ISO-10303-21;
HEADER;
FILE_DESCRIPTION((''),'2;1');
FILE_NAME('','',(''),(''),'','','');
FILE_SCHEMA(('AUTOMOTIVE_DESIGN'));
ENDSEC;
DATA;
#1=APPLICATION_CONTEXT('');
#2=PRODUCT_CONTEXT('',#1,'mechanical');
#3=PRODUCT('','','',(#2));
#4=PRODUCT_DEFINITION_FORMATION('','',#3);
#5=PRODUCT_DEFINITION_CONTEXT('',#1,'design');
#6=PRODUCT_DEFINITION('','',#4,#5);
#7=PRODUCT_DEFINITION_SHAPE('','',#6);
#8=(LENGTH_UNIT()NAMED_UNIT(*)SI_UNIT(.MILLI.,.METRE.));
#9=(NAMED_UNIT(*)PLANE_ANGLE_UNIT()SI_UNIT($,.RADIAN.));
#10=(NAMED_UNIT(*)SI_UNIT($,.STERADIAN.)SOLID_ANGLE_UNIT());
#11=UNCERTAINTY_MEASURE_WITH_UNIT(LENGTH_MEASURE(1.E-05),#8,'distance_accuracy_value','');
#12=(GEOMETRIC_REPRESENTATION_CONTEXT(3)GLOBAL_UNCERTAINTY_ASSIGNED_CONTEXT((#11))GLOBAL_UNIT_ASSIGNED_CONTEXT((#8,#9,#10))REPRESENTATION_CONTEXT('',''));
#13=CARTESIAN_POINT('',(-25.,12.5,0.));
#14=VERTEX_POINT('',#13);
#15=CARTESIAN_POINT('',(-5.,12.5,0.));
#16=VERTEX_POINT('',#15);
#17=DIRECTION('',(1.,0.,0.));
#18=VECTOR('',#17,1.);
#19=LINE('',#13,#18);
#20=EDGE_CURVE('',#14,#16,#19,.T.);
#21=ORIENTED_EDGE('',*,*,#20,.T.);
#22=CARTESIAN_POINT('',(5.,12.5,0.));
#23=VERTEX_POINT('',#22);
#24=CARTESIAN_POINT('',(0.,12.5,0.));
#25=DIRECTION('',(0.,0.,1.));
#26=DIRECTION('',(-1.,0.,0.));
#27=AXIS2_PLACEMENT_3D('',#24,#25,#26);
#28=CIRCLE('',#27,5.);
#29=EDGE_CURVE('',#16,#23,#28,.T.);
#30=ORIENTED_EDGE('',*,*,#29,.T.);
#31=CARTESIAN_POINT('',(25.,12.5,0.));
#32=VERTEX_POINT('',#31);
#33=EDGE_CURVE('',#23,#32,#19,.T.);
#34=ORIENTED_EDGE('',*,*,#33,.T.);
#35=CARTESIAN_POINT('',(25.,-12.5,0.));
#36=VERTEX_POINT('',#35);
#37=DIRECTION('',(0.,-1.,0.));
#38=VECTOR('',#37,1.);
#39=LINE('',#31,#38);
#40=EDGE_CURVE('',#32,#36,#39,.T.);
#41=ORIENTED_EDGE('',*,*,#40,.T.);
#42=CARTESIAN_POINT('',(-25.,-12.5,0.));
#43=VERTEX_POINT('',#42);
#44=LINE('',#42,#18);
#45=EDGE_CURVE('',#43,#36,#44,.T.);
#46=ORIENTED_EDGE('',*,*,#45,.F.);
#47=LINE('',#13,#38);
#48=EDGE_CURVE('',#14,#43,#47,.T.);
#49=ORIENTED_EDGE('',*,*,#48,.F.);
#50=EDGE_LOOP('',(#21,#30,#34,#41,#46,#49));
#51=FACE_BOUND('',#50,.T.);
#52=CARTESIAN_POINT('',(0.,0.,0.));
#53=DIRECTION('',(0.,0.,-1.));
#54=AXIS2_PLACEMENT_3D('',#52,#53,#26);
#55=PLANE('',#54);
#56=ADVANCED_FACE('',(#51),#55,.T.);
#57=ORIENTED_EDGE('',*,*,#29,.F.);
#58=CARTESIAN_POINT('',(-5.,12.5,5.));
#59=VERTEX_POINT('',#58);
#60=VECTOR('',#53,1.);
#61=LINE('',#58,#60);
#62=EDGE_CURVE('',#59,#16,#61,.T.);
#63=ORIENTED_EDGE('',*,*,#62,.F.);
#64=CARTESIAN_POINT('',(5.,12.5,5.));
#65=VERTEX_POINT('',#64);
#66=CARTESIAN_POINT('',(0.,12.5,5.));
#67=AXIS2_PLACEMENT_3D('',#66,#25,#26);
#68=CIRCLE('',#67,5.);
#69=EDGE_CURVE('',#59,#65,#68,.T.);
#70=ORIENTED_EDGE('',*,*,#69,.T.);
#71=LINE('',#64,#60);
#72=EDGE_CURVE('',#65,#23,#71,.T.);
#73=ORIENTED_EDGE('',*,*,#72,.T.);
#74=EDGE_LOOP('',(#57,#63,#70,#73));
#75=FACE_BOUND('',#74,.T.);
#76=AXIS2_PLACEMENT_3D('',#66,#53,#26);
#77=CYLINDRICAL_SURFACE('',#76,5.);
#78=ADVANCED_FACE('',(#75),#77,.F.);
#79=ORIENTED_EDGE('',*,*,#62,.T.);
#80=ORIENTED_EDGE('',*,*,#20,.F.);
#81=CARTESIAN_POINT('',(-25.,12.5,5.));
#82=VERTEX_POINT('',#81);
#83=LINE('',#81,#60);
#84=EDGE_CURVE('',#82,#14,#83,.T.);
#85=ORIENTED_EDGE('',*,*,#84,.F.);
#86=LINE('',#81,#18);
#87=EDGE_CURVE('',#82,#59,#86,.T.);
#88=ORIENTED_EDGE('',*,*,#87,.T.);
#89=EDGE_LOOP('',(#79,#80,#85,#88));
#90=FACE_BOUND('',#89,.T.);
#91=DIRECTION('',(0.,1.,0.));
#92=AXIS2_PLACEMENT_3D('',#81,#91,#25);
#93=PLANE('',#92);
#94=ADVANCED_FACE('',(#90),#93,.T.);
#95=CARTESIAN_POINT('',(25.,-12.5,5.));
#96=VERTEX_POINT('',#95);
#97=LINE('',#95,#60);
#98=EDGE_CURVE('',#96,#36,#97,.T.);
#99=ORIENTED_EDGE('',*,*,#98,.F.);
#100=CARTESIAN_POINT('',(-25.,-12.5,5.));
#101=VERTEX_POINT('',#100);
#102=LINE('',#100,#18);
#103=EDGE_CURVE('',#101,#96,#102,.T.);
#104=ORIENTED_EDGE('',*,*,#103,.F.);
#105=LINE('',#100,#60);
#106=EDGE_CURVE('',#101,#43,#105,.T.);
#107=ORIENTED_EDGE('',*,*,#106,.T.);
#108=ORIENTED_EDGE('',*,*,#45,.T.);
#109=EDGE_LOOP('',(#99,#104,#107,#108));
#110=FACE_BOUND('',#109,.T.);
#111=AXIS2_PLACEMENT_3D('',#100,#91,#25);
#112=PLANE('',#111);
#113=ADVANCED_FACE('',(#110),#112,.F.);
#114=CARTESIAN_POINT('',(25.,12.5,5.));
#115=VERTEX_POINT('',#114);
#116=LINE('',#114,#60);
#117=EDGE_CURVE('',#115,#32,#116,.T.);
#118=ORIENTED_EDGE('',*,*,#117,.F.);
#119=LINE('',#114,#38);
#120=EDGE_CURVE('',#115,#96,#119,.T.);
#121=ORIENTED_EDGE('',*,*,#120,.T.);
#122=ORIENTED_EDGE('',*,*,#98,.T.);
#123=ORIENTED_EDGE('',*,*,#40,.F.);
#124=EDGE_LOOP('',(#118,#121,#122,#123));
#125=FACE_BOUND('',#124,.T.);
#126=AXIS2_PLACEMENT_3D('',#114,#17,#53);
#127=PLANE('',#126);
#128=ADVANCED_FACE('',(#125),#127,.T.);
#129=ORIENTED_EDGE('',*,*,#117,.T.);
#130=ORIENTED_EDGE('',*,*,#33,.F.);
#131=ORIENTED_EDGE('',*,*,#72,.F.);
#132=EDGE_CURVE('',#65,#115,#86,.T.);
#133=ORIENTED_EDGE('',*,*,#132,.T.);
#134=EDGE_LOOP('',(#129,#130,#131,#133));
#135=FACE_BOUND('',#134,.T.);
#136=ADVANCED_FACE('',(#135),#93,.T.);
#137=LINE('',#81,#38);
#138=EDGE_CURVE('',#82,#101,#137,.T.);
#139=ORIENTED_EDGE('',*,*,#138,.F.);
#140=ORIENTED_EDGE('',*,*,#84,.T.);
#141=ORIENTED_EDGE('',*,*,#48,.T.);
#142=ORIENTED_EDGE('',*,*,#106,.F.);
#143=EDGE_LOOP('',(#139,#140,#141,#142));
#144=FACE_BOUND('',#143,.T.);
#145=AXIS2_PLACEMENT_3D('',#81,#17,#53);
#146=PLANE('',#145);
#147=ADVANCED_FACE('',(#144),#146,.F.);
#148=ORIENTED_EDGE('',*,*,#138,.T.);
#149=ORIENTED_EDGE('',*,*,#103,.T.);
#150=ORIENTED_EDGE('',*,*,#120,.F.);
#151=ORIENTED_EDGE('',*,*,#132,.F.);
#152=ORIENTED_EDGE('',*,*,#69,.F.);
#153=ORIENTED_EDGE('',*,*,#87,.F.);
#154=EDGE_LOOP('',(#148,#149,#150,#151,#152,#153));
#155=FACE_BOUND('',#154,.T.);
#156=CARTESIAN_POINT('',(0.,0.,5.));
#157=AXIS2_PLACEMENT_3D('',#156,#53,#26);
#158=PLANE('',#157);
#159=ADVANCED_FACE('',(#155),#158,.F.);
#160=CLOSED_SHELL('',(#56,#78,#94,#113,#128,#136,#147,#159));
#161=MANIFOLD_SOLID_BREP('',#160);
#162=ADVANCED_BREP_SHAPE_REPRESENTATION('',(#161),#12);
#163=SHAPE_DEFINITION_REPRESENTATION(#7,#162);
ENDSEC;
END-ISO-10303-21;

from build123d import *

# Parameters (mm, degrees)
SKETCH2_W           = 50
SKETCH2_H           = 25
BOSS_EXTRUDE2_DEPTH = 5
CUT_EXTRUDE1_DEPTH  = 5


with BuildPart() as part:
    # Sketch2 → Boss-Extrude2 (new body)
    with BuildSketch(Plane.XY):
        Rectangle(SKETCH2_W, SKETCH2_H)
    extrude(amount=BOSS_EXTRUDE2_DEPTH)

    # Sketch6 → Cut-Extrude1 (cut)
    with BuildSketch(Plane.XY):
        with BuildLine():
            Line((-5, 12.5), (5, 12.5))
            ThreePointArc((5, 12.5), (0, 7.5), (-5, 12.5))
        make_face()
    extrude(amount=CUT_EXTRUDE1_DEPTH, mode=Mode.SUBTRACT)


solid = part.part
